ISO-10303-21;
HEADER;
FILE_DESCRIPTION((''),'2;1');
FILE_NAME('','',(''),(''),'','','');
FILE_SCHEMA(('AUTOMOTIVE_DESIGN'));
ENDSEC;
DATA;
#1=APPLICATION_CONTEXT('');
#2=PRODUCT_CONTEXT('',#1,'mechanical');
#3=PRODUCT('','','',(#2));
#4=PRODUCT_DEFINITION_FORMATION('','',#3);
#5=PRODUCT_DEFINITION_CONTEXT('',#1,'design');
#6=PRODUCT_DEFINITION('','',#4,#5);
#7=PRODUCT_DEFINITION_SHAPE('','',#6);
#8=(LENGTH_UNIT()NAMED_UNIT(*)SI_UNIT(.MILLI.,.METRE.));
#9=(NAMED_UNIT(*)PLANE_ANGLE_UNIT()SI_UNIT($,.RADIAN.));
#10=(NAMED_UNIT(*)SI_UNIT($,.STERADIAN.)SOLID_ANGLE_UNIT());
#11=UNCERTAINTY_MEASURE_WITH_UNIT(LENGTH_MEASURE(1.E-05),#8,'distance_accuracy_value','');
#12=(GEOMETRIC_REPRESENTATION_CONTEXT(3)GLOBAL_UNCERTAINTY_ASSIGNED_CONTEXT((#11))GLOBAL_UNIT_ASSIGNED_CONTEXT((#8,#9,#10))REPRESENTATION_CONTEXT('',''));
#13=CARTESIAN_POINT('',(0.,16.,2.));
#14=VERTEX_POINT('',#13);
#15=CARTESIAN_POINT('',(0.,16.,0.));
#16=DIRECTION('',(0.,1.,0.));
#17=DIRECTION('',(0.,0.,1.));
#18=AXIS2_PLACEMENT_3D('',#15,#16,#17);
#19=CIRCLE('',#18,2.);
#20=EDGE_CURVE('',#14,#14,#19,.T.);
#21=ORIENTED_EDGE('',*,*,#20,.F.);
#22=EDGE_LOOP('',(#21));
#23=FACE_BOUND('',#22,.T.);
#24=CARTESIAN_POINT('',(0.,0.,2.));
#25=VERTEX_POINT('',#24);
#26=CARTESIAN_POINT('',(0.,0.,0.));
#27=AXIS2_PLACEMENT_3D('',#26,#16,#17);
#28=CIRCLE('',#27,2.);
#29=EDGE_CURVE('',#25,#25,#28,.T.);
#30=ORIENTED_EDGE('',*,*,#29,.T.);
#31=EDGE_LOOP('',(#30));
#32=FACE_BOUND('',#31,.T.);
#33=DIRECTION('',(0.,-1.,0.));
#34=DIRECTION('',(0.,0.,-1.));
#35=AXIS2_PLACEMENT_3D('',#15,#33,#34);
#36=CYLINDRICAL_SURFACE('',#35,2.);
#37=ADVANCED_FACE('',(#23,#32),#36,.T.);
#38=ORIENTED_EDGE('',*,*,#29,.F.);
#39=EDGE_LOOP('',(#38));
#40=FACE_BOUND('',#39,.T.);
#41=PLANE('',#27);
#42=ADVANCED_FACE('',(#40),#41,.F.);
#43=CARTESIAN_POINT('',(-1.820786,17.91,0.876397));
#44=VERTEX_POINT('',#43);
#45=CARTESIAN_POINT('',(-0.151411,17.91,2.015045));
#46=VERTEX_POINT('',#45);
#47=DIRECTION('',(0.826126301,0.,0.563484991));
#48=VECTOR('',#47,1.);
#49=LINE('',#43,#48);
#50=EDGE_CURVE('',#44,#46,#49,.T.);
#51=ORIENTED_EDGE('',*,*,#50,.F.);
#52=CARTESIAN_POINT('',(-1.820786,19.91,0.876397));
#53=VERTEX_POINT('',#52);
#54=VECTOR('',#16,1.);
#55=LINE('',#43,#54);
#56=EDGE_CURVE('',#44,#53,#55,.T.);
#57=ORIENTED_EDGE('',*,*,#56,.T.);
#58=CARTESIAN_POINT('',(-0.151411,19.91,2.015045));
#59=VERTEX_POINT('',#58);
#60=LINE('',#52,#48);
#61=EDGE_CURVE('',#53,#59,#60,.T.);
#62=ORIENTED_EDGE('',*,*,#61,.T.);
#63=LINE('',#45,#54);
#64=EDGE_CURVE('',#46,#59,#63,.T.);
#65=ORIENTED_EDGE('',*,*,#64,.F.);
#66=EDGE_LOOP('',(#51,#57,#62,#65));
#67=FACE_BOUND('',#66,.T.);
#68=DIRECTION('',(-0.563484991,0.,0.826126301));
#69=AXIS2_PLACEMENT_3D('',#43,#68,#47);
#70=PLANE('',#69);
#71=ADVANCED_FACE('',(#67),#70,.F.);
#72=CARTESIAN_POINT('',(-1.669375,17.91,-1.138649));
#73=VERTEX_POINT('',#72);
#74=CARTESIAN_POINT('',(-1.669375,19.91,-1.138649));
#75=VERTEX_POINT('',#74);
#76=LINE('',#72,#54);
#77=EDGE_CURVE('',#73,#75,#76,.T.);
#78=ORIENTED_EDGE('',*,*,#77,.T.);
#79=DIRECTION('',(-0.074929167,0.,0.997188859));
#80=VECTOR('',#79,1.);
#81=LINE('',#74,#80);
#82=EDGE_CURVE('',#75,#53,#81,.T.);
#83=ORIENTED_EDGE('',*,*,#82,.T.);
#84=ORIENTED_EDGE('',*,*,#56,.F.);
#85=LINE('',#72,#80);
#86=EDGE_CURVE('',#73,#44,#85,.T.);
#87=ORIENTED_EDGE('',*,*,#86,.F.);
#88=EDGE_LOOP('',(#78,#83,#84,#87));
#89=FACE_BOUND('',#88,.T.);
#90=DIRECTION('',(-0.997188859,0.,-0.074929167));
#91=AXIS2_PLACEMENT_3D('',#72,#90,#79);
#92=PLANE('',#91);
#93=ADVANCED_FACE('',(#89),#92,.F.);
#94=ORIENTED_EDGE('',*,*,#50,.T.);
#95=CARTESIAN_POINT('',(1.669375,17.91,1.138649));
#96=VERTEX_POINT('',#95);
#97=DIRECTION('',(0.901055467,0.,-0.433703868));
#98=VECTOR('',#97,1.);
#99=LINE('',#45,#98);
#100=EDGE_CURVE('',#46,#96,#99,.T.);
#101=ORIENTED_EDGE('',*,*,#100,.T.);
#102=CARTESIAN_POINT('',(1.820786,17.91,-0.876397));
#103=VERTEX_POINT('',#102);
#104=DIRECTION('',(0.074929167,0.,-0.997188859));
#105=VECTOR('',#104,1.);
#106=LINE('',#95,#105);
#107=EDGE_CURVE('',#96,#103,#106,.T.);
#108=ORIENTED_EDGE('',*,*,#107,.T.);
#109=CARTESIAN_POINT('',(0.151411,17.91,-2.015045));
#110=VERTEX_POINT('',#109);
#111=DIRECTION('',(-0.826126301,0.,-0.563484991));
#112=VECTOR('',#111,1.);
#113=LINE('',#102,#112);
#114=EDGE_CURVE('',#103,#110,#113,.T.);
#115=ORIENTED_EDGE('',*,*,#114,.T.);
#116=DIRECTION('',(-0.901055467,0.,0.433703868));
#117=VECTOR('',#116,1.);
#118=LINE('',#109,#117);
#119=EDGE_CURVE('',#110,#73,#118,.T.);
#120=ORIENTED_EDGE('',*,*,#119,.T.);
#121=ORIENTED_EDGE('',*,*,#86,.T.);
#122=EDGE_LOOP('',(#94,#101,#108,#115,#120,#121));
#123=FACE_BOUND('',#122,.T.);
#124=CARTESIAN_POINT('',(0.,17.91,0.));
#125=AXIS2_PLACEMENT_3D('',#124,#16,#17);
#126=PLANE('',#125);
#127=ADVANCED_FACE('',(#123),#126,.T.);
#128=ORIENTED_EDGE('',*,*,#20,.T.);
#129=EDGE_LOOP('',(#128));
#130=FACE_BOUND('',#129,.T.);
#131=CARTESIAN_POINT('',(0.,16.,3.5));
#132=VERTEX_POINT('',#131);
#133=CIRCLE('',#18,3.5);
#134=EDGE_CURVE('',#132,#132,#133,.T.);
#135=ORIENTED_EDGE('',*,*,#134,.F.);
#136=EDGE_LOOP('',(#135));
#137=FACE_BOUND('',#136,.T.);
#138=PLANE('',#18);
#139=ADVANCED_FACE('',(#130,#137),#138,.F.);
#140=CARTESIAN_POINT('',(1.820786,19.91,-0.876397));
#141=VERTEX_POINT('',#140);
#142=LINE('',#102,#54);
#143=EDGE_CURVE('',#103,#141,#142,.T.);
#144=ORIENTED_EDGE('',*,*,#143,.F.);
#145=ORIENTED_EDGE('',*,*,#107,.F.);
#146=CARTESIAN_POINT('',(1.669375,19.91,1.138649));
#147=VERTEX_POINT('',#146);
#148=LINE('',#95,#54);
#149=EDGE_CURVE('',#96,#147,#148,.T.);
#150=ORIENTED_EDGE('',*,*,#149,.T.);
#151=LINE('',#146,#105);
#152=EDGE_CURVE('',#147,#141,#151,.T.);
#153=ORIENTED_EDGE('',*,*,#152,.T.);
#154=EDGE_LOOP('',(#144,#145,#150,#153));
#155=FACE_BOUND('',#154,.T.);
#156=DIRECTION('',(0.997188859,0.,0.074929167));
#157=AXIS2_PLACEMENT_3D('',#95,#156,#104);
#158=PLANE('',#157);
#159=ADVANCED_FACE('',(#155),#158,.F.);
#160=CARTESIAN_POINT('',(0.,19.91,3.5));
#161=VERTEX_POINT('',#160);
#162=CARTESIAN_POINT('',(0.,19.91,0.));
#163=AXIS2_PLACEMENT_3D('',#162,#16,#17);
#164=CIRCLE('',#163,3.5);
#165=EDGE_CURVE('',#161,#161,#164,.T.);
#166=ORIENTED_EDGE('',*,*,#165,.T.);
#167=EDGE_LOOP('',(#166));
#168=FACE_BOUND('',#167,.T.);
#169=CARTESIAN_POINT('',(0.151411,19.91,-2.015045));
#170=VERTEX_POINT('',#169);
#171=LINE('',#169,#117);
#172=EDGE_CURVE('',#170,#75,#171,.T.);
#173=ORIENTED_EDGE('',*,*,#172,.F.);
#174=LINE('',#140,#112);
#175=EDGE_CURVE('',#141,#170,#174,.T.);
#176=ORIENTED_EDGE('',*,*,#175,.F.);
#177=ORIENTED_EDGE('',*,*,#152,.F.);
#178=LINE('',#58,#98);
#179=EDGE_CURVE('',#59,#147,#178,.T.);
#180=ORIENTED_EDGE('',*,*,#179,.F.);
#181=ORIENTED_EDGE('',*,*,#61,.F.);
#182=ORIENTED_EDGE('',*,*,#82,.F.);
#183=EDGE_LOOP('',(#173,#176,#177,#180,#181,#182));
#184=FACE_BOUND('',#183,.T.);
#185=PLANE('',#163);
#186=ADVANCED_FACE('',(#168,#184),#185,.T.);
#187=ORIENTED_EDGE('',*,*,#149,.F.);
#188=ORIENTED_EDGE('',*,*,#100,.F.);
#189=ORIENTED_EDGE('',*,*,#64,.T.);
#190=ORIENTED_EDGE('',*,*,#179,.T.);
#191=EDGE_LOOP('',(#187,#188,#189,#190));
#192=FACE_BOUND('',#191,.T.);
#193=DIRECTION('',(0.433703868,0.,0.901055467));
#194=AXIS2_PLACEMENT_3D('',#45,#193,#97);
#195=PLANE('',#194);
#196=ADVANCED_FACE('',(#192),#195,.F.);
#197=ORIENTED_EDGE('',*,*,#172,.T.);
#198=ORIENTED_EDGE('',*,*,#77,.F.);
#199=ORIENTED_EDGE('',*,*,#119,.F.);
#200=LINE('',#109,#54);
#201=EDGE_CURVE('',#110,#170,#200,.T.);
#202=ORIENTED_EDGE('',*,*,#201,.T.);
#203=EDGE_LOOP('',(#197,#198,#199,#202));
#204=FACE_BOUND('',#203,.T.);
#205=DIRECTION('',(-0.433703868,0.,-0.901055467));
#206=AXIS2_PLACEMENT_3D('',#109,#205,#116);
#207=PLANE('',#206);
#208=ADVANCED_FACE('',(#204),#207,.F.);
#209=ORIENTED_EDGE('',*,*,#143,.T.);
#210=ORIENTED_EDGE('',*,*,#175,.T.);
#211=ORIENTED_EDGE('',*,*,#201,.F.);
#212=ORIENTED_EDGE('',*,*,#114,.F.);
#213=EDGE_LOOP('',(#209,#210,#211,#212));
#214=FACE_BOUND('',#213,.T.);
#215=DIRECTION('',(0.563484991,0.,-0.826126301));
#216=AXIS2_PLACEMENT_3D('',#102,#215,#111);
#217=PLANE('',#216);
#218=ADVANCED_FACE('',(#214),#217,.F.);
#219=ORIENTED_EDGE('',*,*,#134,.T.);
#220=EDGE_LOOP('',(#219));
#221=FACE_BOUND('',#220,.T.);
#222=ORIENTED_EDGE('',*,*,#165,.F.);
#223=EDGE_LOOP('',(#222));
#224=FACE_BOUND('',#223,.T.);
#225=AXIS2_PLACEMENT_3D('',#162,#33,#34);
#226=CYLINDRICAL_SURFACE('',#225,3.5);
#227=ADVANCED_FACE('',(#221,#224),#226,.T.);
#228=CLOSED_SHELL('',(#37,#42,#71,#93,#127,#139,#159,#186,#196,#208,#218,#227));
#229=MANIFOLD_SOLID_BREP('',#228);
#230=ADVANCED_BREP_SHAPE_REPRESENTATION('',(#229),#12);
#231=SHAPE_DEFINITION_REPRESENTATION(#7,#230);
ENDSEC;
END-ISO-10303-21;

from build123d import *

# Parameters (mm, degrees)
SKETCH_1_R          = 2
EXTRUDE_1_DEPTH     = 16
SKETCH_2_R          = 3.5
EXTRUDE_2_DEPTH     = 3.91
CUT_EXTRUDE_1_DEPTH = 2


with BuildPart() as part:
    # 草图1 → 凸台-拉伸1 (new body)
    with BuildSketch(Plane(origin=(0, 0, 0), x_dir=(1, 0, 0), z_dir=(0, 1, 0))):
        Circle(SKETCH_1_R)
    extrude(amount=EXTRUDE_1_DEPTH)

    # 草图2 → 凸台-拉伸2 (add)
    with BuildSketch(Plane(origin=(0, 16, 0), x_dir=(1, 0, 0), z_dir=(0, 1, 0))):
        Circle(SKETCH_2_R)
    extrude(amount=EXTRUDE_2_DEPTH)

    # 草图3 → 切除-拉伸1 (cut)
    with BuildSketch(Plane(origin=(0, 19.91, 0), x_dir=(1, 0, 0), z_dir=(0, 1, 0))):
        Polygon((1.669374847, -1.13864874), (1.820786158, 0.876396656), (0.151411311, 2.015045396), (-1.669374847, 1.13864874), (-1.820786158, -0.876396656), (-0.151411311, -2.015045396), align=None)
    extrude(amount=-CUT_EXTRUDE_1_DEPTH, mode=Mode.SUBTRACT)


solid = part.part
